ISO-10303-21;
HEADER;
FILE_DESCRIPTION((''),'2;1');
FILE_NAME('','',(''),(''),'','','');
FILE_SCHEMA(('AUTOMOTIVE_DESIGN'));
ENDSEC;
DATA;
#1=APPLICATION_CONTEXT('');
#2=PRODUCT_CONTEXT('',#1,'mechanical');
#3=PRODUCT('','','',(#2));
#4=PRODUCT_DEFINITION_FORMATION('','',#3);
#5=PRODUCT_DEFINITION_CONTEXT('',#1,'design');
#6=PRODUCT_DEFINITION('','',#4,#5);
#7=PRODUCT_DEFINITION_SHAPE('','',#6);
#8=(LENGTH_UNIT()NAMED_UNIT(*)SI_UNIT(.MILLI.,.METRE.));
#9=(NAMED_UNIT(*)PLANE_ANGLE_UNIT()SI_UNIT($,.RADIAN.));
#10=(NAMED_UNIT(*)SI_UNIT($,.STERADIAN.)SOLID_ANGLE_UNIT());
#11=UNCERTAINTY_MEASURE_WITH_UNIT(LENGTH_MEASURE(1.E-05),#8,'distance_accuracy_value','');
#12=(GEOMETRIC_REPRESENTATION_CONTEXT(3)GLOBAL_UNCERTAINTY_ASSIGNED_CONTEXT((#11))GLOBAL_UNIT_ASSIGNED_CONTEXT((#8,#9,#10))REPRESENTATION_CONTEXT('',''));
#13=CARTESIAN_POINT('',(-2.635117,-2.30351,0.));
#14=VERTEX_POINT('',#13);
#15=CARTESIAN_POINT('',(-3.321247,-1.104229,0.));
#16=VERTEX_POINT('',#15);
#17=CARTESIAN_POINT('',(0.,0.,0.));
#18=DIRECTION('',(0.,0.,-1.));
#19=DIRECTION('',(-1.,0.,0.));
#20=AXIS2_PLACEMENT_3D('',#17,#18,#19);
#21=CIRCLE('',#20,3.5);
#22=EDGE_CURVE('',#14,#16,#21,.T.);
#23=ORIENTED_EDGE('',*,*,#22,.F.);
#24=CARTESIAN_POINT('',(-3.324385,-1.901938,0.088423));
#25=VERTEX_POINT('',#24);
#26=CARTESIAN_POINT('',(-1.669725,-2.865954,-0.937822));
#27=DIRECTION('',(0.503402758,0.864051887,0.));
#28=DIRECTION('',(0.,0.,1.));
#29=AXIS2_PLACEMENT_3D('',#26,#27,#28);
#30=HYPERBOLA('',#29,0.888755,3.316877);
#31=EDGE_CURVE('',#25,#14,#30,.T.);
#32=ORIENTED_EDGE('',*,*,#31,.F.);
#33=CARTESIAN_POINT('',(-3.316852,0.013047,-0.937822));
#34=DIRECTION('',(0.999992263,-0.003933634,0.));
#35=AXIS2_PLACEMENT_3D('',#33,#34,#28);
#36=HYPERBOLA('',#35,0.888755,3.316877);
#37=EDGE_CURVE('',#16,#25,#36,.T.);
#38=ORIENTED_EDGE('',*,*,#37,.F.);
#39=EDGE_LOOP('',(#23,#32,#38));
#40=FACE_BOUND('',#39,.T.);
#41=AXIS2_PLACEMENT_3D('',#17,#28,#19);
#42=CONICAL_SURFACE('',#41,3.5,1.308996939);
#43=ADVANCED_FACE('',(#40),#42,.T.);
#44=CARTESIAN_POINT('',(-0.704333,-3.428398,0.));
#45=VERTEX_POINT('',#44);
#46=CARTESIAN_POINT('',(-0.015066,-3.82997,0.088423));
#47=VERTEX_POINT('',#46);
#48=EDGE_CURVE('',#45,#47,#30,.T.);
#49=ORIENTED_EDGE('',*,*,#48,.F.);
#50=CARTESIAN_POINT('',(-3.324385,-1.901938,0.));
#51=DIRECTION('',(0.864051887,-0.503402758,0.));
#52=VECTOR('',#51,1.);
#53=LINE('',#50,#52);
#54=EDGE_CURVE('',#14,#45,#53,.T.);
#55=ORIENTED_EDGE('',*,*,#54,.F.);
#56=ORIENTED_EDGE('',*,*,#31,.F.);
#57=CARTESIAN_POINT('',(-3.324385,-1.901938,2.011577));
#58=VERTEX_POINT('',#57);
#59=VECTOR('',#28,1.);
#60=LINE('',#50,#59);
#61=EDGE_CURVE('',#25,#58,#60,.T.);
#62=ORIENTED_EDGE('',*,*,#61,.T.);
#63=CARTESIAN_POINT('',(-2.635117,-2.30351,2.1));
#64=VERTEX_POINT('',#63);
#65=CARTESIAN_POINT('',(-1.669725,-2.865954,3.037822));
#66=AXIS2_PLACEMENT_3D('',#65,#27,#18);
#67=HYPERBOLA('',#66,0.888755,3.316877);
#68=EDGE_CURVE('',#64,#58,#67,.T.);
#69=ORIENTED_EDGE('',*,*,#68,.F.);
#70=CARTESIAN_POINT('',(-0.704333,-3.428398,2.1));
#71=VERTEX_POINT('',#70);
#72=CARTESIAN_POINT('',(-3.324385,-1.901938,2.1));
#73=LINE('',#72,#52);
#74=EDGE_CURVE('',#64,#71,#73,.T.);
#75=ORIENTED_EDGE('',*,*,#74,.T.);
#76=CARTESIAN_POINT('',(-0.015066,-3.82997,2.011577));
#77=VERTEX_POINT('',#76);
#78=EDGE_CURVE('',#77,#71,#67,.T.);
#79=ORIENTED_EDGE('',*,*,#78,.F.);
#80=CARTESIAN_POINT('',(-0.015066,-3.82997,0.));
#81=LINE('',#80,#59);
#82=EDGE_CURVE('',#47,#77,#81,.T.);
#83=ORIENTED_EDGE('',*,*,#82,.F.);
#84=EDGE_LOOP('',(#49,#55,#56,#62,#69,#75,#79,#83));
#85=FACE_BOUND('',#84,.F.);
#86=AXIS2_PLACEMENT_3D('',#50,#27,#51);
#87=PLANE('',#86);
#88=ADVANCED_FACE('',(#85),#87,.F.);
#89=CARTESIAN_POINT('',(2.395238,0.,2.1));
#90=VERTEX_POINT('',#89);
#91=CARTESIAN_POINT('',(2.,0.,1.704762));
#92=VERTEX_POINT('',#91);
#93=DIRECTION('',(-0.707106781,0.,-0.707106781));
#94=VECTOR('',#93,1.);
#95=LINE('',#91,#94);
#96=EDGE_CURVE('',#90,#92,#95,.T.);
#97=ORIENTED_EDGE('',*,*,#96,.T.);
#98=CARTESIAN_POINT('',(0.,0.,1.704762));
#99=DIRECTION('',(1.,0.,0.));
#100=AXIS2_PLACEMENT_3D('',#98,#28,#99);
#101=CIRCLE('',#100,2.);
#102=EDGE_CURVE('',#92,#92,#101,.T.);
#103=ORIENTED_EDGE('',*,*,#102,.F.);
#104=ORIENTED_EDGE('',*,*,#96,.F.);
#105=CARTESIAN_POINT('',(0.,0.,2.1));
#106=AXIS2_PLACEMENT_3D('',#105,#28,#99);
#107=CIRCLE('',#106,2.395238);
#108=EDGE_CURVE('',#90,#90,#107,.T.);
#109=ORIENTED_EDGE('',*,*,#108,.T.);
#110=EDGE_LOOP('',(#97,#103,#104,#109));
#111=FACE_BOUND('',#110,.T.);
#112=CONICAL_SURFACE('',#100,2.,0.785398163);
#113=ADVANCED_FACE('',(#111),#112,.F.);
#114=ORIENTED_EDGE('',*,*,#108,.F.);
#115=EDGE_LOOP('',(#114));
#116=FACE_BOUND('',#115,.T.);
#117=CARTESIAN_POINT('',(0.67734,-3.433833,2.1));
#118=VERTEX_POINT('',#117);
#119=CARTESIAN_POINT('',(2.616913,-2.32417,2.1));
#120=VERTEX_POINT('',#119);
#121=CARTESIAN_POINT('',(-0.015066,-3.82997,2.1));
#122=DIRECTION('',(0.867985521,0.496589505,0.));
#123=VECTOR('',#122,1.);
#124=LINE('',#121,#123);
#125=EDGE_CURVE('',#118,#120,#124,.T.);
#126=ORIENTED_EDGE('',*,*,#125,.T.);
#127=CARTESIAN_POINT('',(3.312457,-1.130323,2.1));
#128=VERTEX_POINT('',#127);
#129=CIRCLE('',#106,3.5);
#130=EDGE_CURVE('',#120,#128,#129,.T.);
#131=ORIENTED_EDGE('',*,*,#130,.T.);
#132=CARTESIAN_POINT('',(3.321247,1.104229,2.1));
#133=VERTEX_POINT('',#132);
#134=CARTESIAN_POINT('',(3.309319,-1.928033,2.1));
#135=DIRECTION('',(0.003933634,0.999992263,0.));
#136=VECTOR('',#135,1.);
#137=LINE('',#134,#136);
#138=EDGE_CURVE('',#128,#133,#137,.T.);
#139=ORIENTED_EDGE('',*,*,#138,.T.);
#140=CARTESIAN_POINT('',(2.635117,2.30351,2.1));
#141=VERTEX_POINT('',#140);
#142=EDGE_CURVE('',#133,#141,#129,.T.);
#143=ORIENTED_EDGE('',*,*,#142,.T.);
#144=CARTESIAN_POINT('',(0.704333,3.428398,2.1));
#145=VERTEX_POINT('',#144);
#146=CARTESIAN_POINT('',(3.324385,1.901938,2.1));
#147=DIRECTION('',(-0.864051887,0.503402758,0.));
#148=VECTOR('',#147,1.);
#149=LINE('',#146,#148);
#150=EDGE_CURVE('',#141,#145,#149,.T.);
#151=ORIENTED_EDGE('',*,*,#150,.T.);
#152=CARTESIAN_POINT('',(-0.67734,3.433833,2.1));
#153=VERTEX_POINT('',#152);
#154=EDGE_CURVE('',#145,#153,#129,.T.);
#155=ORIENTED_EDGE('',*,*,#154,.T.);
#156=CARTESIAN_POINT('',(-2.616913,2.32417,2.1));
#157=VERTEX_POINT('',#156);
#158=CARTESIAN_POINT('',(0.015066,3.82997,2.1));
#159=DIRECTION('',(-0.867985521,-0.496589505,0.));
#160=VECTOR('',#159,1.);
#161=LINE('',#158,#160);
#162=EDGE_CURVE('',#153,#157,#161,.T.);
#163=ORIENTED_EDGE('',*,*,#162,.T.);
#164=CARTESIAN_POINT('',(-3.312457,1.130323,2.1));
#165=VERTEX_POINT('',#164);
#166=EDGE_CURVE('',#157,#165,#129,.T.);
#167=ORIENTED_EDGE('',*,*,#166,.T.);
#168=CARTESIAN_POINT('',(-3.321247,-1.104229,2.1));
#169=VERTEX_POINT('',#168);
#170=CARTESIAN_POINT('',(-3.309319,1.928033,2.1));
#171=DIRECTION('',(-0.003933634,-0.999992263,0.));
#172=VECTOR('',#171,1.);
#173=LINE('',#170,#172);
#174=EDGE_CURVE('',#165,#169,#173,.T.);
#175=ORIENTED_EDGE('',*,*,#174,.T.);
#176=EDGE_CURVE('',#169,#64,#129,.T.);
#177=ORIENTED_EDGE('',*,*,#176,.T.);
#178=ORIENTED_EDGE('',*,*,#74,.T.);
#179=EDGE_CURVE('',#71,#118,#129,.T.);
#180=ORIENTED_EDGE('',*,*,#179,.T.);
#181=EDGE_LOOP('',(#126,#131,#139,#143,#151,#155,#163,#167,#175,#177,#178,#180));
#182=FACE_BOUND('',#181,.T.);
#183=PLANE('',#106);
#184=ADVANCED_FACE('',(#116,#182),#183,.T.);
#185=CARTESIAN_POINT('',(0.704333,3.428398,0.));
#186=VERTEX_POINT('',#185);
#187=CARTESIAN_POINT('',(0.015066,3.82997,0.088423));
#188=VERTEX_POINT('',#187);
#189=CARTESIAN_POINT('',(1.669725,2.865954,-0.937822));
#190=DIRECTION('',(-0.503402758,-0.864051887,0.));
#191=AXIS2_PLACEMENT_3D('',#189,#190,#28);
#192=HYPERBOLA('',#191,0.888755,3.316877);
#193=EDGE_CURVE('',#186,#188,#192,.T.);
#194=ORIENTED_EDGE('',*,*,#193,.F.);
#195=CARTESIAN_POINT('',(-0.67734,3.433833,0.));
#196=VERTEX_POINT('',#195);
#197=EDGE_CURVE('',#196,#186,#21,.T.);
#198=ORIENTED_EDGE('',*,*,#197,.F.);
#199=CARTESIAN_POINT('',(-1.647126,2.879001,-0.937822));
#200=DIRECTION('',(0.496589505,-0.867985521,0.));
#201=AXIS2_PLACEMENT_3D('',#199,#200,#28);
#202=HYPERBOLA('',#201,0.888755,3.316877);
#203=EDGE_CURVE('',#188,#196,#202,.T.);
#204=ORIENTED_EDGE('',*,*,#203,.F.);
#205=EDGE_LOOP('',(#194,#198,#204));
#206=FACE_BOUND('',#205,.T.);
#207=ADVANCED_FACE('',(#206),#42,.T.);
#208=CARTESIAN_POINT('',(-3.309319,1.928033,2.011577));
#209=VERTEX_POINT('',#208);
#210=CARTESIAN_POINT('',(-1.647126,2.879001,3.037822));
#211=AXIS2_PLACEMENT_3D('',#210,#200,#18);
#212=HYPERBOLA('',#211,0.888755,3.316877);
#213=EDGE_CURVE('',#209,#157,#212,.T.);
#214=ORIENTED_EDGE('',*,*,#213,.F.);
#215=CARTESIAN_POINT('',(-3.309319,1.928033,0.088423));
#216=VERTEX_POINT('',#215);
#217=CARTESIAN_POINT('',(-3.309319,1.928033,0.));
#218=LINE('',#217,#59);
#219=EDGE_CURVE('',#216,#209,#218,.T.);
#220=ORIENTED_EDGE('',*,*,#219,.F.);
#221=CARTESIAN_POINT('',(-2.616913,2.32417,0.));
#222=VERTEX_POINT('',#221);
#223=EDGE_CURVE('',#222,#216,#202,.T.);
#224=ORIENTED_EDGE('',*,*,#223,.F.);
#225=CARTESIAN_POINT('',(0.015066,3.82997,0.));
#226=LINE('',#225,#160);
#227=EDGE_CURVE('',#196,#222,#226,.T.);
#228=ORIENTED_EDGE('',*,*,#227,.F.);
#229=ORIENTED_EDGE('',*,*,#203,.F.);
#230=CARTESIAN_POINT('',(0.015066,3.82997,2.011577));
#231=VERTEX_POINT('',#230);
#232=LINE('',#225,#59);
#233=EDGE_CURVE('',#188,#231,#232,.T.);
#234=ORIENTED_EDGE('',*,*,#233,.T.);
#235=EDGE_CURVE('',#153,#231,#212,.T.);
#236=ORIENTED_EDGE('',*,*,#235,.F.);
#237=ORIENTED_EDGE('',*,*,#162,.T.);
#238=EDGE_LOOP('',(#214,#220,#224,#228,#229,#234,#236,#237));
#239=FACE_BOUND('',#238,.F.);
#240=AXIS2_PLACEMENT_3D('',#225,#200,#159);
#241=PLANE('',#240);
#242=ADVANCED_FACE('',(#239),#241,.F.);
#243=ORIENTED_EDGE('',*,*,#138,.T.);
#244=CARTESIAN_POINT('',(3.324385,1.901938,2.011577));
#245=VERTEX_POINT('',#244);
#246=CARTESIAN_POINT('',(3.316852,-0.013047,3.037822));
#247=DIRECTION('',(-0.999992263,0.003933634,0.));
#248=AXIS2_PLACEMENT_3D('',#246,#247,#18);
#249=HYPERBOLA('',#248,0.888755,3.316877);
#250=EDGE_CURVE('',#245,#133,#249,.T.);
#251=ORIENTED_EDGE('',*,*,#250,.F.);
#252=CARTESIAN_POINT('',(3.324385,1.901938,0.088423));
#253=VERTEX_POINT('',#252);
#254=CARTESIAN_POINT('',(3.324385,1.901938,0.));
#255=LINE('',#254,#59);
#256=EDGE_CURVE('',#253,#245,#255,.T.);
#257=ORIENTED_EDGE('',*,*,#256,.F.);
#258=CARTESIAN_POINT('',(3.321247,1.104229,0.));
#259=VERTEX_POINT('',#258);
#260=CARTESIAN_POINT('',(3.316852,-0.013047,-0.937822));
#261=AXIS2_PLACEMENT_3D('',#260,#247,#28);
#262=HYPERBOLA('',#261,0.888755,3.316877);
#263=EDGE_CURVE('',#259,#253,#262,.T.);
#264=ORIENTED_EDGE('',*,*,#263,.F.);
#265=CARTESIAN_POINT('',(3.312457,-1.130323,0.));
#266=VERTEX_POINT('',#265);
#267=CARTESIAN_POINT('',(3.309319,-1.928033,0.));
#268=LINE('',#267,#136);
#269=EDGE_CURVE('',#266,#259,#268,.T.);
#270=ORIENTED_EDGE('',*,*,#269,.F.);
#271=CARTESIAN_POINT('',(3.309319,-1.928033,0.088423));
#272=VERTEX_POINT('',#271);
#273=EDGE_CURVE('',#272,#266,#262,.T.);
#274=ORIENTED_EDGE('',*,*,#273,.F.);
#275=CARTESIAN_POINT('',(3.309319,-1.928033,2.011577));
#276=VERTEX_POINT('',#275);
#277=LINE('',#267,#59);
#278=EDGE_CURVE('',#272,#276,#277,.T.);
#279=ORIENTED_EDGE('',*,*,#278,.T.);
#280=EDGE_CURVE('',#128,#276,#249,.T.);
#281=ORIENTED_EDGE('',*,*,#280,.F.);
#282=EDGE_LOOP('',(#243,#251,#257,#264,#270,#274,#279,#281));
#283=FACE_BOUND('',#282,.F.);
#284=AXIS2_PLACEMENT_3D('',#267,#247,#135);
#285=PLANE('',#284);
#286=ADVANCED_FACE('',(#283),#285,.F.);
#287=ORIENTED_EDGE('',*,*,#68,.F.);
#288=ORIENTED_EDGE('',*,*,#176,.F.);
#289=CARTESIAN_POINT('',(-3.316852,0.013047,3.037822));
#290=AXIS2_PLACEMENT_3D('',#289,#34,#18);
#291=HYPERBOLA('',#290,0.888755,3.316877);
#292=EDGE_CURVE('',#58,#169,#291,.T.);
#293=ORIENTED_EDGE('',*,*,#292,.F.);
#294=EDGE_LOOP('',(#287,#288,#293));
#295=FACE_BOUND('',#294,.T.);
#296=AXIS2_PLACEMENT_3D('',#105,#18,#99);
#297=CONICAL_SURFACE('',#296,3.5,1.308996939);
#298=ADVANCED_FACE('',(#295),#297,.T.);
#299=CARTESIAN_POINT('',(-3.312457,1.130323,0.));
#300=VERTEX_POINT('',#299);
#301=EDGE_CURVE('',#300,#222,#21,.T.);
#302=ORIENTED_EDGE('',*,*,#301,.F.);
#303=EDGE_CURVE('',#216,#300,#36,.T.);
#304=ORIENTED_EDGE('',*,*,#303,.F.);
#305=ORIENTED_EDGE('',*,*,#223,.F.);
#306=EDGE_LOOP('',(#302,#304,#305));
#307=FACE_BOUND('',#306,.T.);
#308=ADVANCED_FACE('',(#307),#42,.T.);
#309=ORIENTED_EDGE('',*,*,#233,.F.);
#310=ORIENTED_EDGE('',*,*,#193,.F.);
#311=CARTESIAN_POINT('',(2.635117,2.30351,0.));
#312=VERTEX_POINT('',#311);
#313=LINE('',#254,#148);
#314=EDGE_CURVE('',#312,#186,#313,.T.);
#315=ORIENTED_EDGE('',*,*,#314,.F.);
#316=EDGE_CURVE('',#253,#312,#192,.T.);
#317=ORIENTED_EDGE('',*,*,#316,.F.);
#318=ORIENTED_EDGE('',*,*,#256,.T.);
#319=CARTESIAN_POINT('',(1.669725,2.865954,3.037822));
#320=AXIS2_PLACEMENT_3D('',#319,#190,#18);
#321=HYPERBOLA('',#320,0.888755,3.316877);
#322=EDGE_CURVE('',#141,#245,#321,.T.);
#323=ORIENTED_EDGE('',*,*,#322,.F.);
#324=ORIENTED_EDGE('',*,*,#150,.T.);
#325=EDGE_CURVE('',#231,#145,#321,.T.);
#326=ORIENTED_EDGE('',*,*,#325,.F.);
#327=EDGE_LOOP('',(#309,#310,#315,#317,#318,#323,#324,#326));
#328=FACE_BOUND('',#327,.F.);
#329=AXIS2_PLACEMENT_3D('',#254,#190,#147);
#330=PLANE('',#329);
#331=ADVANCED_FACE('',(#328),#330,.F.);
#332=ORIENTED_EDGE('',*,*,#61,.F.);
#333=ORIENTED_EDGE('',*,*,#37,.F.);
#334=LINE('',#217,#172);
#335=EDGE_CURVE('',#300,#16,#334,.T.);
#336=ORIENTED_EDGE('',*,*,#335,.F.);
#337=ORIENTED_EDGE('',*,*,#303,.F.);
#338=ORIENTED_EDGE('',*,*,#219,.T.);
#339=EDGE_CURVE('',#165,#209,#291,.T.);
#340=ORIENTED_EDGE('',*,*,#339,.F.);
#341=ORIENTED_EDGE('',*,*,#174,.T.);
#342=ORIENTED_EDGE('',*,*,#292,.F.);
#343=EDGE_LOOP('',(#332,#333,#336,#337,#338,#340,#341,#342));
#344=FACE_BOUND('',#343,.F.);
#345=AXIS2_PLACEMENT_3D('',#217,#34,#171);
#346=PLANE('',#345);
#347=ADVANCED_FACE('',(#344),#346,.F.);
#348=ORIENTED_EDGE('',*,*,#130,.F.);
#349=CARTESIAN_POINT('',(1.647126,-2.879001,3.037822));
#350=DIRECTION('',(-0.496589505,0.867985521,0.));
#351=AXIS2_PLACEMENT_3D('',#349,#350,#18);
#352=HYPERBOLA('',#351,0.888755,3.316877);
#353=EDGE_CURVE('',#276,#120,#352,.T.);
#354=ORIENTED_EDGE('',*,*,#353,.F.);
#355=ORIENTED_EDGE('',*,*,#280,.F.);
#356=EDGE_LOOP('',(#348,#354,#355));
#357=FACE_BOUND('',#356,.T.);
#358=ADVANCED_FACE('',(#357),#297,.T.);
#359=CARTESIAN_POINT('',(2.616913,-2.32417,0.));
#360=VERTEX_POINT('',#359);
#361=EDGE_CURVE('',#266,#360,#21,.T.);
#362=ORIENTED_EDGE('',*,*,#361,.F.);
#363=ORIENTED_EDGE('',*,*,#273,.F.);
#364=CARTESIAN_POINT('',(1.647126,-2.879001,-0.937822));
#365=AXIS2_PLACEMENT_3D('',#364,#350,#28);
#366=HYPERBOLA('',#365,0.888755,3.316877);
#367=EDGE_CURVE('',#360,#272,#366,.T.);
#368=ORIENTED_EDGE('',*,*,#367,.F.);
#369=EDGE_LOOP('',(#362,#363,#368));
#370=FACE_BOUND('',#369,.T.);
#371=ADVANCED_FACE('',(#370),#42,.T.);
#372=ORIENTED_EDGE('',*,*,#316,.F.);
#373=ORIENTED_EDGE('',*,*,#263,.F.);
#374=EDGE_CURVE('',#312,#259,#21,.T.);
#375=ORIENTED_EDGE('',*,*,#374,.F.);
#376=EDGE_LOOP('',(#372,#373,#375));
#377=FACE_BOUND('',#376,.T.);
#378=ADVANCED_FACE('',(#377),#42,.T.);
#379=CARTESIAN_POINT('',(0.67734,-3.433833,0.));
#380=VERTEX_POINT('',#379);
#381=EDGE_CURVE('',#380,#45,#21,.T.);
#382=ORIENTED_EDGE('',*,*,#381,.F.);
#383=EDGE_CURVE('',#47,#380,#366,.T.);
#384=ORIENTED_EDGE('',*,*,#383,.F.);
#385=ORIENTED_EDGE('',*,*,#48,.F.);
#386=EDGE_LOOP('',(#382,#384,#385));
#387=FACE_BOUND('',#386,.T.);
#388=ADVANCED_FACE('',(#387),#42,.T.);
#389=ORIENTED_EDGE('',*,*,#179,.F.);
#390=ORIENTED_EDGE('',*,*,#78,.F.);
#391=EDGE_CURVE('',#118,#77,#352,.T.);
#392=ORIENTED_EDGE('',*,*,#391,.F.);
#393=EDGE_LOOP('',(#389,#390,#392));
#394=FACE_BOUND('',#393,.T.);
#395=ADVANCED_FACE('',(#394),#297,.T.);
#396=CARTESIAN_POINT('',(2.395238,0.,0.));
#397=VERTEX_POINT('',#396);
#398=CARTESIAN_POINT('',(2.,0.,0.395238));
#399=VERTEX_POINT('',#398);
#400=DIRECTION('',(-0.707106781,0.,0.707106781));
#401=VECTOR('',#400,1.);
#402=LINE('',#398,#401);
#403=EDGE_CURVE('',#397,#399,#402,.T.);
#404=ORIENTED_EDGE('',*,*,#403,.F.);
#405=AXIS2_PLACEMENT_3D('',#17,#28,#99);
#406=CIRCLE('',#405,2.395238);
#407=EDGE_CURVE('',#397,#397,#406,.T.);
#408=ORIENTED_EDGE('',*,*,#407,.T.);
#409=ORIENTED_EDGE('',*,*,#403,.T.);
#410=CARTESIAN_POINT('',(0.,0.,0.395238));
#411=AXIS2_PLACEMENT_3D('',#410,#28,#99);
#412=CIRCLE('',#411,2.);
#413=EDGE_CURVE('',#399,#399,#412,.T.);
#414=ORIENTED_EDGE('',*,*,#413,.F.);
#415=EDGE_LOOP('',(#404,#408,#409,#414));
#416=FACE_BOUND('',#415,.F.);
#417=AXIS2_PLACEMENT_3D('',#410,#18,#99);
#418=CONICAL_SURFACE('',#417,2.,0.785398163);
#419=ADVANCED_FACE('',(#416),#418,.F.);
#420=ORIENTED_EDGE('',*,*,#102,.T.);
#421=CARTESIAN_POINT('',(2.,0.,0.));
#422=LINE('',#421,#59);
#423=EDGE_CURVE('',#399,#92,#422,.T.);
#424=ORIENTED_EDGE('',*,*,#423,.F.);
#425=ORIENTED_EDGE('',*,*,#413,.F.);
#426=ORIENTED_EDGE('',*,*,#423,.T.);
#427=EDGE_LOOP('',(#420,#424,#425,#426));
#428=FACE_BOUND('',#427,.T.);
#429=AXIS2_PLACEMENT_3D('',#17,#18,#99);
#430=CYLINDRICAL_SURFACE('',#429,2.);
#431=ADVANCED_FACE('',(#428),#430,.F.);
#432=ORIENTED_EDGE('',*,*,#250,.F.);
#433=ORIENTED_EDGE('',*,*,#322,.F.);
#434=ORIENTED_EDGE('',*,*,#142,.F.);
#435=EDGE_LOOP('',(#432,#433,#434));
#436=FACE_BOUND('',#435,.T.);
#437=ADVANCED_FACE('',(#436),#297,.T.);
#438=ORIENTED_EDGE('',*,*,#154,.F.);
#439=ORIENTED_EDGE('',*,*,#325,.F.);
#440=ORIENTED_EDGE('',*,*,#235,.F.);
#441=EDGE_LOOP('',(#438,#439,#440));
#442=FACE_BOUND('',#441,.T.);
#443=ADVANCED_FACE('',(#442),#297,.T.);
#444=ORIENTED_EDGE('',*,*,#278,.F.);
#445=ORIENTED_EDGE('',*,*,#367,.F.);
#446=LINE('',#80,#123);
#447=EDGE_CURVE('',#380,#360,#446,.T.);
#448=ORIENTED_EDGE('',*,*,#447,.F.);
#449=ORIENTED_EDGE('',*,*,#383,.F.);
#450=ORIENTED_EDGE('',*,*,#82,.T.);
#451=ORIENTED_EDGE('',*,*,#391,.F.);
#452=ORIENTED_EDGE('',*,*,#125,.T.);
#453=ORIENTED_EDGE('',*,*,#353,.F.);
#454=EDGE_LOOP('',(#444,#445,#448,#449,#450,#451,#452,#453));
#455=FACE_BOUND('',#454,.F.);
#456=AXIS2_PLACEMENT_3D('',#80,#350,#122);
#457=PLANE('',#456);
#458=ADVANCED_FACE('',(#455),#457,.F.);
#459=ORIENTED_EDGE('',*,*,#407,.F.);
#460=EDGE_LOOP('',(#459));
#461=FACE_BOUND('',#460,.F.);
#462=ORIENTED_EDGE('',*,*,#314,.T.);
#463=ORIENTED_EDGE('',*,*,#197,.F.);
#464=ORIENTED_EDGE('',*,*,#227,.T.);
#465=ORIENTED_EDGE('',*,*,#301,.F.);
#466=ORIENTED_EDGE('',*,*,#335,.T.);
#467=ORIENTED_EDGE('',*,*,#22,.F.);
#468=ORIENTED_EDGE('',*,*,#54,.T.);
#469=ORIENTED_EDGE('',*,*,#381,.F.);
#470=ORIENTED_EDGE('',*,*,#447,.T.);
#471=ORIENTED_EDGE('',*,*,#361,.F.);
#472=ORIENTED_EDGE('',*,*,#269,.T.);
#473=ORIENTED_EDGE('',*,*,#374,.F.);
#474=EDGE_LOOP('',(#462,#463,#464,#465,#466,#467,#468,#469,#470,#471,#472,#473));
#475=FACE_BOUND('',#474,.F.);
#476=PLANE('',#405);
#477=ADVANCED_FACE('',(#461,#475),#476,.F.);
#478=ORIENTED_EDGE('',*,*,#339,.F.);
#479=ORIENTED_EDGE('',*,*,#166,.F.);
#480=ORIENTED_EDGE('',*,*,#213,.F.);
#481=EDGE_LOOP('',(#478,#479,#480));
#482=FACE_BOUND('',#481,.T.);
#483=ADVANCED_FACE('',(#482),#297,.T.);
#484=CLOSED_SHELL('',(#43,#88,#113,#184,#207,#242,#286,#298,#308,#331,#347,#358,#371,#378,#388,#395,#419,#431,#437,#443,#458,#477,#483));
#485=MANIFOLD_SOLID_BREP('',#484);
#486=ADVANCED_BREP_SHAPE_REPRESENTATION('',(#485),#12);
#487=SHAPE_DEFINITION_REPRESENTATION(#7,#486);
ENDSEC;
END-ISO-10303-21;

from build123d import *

# Parameters (mm, degrees)
SKETCH_1_R          = 2
EXTRUDE_537_DEPTH   = 2.1
SKETCH_2_OUTSIDE_W  = 59.154
SKETCH_2_OUTSIDE_H  = 60.166
SKETCH_2_OUTSIDE_R  = 3.5
CUT_EXTRUDE_1_DEPTH = 6.489098798
CUT_EXTRUDE_1_DRAFT = -75
SKETCH_3_OUTSIDE_W  = 59.154
SKETCH_3_OUTSIDE_H  = 60.166
SKETCH_3_OUTSIDE_R  = 3.5
CUT_EXTRUDE_2_DEPTH = 6.489098798
CUT_EXTRUDE_2_DRAFT = -75
CHAMFER_1_SIZE      = 0.395238095


with BuildPart() as part:
    # 草图1 → Extrude 537 (new body)
    with BuildSketch(Plane.XY):
        Polygon((0.015065818, 3.829970368), (-3.309318726, 1.928032565), (-3.324384544, -1.901937803), (-0.015065818, -3.829970368), (3.309318726, -1.928032565), (3.324384544, 1.901937803), align=None)
        Circle(SKETCH_1_R, mode=Mode.SUBTRACT)
    extrude(amount=EXTRUDE_537_DEPTH)


with BuildPart() as cut_extrude_1_tool:
    # 草图2 outside → 切除-拉伸1 (with draft: the straight prism first)
    with BuildSketch(Plane(origin=(0, 0, 0), x_dir=(-1, 0, 0), z_dir=(0, 0, -1))):
        Rectangle(SKETCH_2_OUTSIDE_W, SKETCH_2_OUTSIDE_H)
        Circle(SKETCH_2_OUTSIDE_R, mode=Mode.SUBTRACT)
    extrude(amount=-CUT_EXTRUDE_1_DEPTH)
    # 切除-拉伸1: the draft: its side faces are tilted about the plane it starts from
    cut_extrude_1_sides = [cut_extrude_1_tool.faces().sort_by_distance(p)[0] for p in [
        (0, -30.083, 3.244549399),
        (-29.577, 0, 3.244549399),
        (0, 30.083, 3.244549399),
        (29.577, 0, 3.244549399),
        (3.5, 0, 3.244549399),
    ]]
    draft(cut_extrude_1_sides, Plane(origin=(0, 0, 0), x_dir=(-1, 0, 0), z_dir=(0, 0, -1)), CUT_EXTRUDE_1_DRAFT)


with BuildPart() as part_1:
    add(part.part)

    # 切除-拉伸1: cut by cut_extrude_1_tool
    add(cut_extrude_1_tool.part, mode=Mode.SUBTRACT)


with BuildPart() as cut_extrude_2_tool:
    # 草图3 outside → 切除-拉伸2 (with draft: the straight prism first)
    with BuildSketch(Plane.XY.offset(2.1)):
        Rectangle(SKETCH_3_OUTSIDE_W, SKETCH_3_OUTSIDE_H)
        Circle(SKETCH_3_OUTSIDE_R, mode=Mode.SUBTRACT)
    extrude(amount=-CUT_EXTRUDE_2_DEPTH)
    # 切除-拉伸2: the draft: its side faces are tilted about the plane it starts from
    cut_extrude_2_sides = [cut_extrude_2_tool.faces().sort_by_distance(p)[0] for p in [
        (0, -30.083, -1.144549399),
        (29.577, 0, -1.144549399),
        (0, 30.083, -1.144549399),
        (-29.577, 0, -1.144549399),
        (-3.5, 0, -1.144549399),
    ]]
    draft(cut_extrude_2_sides, Plane.XY.offset(2.1), CUT_EXTRUDE_2_DRAFT)


with BuildPart() as part_2:
    add(part_1.part)

    # 切除-拉伸2: cut by cut_extrude_2_tool
    add(cut_extrude_2_tool.part, mode=Mode.SUBTRACT)

    # 倒角1
    chamfer_1_edges = [part_2.edges().sort_by_distance(p)[0] for p in [
        (-2, 0, 0),
        (-2, 0, 2.1),
    ]]
    chamfer(chamfer_1_edges, length=CHAMFER_1_SIZE)


solid = part_2.part
